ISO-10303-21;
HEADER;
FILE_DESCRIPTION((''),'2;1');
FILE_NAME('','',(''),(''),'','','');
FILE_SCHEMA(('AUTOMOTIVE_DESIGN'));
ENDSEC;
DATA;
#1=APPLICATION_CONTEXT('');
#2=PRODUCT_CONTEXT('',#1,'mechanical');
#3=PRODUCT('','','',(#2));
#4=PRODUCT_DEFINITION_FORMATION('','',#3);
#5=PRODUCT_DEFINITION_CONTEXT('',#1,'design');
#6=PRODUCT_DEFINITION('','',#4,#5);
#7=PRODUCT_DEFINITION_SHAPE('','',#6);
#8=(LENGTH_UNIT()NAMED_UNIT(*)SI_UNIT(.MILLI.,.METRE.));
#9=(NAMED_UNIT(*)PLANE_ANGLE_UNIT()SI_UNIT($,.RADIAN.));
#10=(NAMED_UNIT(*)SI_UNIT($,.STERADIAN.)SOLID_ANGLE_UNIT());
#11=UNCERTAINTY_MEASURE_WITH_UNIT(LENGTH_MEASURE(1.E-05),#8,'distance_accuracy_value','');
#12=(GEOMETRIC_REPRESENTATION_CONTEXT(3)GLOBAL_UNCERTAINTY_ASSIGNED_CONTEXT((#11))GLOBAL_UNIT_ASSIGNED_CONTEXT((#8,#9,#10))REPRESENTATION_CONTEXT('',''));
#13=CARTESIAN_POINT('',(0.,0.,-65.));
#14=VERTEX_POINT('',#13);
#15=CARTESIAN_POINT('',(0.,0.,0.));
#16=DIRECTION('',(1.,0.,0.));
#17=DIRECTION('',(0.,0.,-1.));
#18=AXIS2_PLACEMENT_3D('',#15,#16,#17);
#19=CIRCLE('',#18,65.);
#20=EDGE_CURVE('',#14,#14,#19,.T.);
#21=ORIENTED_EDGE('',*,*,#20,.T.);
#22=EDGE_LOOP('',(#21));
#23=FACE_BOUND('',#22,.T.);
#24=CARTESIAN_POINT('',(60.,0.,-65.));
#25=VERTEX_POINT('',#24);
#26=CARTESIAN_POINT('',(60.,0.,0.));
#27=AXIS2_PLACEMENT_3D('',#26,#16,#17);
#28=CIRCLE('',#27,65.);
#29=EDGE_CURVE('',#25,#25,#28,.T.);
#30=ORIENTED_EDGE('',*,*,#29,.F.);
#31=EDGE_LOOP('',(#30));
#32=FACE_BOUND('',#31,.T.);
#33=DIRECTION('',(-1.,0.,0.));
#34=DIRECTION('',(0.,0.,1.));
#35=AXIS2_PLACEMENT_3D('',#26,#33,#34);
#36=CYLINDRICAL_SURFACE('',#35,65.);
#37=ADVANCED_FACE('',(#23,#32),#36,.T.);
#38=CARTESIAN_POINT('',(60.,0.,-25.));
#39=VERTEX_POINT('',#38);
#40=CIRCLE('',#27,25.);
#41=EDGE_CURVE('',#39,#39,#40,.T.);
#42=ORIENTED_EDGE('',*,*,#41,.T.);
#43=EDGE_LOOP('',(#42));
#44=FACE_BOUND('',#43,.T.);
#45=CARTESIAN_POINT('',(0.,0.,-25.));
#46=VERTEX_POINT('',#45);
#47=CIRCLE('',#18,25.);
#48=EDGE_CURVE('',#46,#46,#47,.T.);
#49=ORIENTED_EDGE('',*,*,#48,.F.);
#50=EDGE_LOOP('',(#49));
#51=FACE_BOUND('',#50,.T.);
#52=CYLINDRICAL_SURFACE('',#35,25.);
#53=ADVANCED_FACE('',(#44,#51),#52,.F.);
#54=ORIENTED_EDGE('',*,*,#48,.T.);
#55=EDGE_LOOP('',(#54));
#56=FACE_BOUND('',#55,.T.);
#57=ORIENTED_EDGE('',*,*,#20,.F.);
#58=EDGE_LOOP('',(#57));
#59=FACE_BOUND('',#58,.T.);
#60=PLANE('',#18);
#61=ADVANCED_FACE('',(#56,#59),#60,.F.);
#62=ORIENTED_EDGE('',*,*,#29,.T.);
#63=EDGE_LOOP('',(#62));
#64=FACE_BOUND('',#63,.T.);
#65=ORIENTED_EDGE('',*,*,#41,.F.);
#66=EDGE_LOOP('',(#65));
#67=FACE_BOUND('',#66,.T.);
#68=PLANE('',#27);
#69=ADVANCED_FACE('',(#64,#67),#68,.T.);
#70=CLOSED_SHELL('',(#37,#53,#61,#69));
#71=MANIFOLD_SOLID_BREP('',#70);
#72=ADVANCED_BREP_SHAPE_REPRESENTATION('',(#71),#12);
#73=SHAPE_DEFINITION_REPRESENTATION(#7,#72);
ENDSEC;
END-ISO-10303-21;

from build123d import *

# Parameters (mm, degrees)
SKETCH_1_R      = 65
SKETCH_1_R_2    = 25
EXTRUDE_1_DEPTH = 60


with BuildPart() as part:
    # 草图1 → 凸台-拉伸1 (new body)
    with BuildSketch(Plane(origin=(0, 0, 0), x_dir=(0, 0, -1), z_dir=(1, 0, 0))):
        Circle(SKETCH_1_R)
        Circle(SKETCH_1_R_2, mode=Mode.SUBTRACT)
    extrude(amount=EXTRUDE_1_DEPTH)


solid = part.part
